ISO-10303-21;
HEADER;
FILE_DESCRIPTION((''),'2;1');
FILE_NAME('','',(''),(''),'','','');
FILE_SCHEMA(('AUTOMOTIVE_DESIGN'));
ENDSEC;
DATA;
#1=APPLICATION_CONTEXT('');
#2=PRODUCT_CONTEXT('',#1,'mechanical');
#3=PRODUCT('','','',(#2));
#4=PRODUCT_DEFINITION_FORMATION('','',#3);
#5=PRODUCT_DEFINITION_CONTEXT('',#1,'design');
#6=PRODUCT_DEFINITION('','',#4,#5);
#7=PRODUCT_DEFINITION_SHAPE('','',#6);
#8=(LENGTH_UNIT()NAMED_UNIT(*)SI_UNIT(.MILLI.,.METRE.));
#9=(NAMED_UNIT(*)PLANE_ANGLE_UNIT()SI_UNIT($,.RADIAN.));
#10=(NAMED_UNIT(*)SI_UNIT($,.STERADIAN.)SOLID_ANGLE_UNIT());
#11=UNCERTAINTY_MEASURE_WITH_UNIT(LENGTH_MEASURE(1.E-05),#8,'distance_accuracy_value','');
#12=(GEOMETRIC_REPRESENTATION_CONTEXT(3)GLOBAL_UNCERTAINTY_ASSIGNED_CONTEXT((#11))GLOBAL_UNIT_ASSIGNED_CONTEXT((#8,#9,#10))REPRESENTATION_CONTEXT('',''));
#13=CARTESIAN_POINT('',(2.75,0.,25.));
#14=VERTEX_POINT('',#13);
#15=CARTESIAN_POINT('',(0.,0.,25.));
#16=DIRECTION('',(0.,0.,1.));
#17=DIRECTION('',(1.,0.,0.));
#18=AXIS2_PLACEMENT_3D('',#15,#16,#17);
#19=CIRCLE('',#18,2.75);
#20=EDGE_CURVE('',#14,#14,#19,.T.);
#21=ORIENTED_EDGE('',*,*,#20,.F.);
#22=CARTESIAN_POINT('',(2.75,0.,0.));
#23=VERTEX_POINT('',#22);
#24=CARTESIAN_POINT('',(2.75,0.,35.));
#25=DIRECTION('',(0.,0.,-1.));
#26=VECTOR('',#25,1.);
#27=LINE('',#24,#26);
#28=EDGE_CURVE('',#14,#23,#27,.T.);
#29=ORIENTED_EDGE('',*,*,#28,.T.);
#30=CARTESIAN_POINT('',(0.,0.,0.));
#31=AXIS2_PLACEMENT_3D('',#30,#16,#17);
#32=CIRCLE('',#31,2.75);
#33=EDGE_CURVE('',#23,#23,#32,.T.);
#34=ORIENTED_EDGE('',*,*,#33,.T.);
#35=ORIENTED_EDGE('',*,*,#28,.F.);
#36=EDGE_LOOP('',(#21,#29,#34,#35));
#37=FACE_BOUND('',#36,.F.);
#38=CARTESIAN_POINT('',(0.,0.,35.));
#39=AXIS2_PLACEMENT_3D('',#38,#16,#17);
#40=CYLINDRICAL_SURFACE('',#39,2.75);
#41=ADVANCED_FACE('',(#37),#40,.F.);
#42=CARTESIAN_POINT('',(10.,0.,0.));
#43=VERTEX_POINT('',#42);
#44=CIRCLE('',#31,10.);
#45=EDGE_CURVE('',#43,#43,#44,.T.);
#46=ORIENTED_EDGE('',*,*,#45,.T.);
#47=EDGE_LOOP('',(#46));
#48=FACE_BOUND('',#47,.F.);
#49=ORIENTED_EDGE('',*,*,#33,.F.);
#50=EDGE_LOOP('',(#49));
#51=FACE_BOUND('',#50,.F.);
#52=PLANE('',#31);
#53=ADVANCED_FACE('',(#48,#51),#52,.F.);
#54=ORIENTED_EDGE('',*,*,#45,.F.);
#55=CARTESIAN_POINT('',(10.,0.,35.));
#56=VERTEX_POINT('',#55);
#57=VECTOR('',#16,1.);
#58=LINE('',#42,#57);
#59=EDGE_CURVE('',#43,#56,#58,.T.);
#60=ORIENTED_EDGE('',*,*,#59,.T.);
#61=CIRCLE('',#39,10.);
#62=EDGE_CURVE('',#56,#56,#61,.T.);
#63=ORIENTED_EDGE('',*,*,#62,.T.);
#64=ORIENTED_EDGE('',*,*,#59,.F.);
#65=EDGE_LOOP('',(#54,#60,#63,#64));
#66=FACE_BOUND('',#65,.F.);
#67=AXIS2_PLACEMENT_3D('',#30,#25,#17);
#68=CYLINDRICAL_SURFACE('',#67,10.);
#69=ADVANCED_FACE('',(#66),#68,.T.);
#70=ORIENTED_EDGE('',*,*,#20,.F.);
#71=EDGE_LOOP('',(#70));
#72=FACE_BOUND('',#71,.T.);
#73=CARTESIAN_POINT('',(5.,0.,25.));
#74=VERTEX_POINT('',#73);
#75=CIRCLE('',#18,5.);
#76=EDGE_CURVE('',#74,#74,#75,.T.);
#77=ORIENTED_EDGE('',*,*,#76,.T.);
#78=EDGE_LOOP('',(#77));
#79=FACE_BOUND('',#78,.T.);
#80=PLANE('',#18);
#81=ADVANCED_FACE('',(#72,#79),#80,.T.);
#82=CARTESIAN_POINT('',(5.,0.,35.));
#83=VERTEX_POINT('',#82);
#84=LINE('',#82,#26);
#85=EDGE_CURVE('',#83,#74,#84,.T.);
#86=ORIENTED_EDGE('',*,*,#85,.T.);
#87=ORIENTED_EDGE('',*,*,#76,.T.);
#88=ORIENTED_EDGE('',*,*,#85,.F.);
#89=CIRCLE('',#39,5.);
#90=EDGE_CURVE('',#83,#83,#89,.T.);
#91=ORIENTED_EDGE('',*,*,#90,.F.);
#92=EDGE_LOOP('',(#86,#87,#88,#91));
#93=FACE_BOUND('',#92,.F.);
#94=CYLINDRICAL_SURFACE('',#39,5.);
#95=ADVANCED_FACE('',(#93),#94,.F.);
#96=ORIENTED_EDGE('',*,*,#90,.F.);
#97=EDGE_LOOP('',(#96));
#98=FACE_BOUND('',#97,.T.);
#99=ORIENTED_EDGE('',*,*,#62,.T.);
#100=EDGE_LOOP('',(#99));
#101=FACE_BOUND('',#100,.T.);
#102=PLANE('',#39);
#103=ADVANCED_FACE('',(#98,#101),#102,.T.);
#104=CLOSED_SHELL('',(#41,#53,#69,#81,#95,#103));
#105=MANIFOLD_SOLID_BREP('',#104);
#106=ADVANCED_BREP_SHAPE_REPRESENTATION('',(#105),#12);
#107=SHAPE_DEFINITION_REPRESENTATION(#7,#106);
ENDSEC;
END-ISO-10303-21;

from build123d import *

# Parameters (mm, degrees)
SKETCH_R        = 10
PAD_DEPTH       = 35
SKETCH001_R     = 2.75
POCKET_DEPTH    = 35.001
SKETCH002_R     = 5
POCKET001_DEPTH = 10


with BuildPart() as part:
    # Sketch → Pad (new body)
    with BuildSketch(Plane.XY):
        Circle(SKETCH_R)
    extrude(amount=PAD_DEPTH)

    # Sketch001 (on Face3 of Pad) → Pocket (cut, through all)
    with BuildSketch(Plane.XY.offset(35)):
        Circle(SKETCH001_R)
    extrude(amount=-POCKET_DEPTH, mode=Mode.SUBTRACT)

    # Sketch002 (on Face3 of Pocket) → Pocket001 (cut)
    with BuildSketch(Plane.XY.offset(35)):
        Circle(SKETCH002_R)
    extrude(amount=-POCKET001_DEPTH, mode=Mode.SUBTRACT)


solid = part.part
